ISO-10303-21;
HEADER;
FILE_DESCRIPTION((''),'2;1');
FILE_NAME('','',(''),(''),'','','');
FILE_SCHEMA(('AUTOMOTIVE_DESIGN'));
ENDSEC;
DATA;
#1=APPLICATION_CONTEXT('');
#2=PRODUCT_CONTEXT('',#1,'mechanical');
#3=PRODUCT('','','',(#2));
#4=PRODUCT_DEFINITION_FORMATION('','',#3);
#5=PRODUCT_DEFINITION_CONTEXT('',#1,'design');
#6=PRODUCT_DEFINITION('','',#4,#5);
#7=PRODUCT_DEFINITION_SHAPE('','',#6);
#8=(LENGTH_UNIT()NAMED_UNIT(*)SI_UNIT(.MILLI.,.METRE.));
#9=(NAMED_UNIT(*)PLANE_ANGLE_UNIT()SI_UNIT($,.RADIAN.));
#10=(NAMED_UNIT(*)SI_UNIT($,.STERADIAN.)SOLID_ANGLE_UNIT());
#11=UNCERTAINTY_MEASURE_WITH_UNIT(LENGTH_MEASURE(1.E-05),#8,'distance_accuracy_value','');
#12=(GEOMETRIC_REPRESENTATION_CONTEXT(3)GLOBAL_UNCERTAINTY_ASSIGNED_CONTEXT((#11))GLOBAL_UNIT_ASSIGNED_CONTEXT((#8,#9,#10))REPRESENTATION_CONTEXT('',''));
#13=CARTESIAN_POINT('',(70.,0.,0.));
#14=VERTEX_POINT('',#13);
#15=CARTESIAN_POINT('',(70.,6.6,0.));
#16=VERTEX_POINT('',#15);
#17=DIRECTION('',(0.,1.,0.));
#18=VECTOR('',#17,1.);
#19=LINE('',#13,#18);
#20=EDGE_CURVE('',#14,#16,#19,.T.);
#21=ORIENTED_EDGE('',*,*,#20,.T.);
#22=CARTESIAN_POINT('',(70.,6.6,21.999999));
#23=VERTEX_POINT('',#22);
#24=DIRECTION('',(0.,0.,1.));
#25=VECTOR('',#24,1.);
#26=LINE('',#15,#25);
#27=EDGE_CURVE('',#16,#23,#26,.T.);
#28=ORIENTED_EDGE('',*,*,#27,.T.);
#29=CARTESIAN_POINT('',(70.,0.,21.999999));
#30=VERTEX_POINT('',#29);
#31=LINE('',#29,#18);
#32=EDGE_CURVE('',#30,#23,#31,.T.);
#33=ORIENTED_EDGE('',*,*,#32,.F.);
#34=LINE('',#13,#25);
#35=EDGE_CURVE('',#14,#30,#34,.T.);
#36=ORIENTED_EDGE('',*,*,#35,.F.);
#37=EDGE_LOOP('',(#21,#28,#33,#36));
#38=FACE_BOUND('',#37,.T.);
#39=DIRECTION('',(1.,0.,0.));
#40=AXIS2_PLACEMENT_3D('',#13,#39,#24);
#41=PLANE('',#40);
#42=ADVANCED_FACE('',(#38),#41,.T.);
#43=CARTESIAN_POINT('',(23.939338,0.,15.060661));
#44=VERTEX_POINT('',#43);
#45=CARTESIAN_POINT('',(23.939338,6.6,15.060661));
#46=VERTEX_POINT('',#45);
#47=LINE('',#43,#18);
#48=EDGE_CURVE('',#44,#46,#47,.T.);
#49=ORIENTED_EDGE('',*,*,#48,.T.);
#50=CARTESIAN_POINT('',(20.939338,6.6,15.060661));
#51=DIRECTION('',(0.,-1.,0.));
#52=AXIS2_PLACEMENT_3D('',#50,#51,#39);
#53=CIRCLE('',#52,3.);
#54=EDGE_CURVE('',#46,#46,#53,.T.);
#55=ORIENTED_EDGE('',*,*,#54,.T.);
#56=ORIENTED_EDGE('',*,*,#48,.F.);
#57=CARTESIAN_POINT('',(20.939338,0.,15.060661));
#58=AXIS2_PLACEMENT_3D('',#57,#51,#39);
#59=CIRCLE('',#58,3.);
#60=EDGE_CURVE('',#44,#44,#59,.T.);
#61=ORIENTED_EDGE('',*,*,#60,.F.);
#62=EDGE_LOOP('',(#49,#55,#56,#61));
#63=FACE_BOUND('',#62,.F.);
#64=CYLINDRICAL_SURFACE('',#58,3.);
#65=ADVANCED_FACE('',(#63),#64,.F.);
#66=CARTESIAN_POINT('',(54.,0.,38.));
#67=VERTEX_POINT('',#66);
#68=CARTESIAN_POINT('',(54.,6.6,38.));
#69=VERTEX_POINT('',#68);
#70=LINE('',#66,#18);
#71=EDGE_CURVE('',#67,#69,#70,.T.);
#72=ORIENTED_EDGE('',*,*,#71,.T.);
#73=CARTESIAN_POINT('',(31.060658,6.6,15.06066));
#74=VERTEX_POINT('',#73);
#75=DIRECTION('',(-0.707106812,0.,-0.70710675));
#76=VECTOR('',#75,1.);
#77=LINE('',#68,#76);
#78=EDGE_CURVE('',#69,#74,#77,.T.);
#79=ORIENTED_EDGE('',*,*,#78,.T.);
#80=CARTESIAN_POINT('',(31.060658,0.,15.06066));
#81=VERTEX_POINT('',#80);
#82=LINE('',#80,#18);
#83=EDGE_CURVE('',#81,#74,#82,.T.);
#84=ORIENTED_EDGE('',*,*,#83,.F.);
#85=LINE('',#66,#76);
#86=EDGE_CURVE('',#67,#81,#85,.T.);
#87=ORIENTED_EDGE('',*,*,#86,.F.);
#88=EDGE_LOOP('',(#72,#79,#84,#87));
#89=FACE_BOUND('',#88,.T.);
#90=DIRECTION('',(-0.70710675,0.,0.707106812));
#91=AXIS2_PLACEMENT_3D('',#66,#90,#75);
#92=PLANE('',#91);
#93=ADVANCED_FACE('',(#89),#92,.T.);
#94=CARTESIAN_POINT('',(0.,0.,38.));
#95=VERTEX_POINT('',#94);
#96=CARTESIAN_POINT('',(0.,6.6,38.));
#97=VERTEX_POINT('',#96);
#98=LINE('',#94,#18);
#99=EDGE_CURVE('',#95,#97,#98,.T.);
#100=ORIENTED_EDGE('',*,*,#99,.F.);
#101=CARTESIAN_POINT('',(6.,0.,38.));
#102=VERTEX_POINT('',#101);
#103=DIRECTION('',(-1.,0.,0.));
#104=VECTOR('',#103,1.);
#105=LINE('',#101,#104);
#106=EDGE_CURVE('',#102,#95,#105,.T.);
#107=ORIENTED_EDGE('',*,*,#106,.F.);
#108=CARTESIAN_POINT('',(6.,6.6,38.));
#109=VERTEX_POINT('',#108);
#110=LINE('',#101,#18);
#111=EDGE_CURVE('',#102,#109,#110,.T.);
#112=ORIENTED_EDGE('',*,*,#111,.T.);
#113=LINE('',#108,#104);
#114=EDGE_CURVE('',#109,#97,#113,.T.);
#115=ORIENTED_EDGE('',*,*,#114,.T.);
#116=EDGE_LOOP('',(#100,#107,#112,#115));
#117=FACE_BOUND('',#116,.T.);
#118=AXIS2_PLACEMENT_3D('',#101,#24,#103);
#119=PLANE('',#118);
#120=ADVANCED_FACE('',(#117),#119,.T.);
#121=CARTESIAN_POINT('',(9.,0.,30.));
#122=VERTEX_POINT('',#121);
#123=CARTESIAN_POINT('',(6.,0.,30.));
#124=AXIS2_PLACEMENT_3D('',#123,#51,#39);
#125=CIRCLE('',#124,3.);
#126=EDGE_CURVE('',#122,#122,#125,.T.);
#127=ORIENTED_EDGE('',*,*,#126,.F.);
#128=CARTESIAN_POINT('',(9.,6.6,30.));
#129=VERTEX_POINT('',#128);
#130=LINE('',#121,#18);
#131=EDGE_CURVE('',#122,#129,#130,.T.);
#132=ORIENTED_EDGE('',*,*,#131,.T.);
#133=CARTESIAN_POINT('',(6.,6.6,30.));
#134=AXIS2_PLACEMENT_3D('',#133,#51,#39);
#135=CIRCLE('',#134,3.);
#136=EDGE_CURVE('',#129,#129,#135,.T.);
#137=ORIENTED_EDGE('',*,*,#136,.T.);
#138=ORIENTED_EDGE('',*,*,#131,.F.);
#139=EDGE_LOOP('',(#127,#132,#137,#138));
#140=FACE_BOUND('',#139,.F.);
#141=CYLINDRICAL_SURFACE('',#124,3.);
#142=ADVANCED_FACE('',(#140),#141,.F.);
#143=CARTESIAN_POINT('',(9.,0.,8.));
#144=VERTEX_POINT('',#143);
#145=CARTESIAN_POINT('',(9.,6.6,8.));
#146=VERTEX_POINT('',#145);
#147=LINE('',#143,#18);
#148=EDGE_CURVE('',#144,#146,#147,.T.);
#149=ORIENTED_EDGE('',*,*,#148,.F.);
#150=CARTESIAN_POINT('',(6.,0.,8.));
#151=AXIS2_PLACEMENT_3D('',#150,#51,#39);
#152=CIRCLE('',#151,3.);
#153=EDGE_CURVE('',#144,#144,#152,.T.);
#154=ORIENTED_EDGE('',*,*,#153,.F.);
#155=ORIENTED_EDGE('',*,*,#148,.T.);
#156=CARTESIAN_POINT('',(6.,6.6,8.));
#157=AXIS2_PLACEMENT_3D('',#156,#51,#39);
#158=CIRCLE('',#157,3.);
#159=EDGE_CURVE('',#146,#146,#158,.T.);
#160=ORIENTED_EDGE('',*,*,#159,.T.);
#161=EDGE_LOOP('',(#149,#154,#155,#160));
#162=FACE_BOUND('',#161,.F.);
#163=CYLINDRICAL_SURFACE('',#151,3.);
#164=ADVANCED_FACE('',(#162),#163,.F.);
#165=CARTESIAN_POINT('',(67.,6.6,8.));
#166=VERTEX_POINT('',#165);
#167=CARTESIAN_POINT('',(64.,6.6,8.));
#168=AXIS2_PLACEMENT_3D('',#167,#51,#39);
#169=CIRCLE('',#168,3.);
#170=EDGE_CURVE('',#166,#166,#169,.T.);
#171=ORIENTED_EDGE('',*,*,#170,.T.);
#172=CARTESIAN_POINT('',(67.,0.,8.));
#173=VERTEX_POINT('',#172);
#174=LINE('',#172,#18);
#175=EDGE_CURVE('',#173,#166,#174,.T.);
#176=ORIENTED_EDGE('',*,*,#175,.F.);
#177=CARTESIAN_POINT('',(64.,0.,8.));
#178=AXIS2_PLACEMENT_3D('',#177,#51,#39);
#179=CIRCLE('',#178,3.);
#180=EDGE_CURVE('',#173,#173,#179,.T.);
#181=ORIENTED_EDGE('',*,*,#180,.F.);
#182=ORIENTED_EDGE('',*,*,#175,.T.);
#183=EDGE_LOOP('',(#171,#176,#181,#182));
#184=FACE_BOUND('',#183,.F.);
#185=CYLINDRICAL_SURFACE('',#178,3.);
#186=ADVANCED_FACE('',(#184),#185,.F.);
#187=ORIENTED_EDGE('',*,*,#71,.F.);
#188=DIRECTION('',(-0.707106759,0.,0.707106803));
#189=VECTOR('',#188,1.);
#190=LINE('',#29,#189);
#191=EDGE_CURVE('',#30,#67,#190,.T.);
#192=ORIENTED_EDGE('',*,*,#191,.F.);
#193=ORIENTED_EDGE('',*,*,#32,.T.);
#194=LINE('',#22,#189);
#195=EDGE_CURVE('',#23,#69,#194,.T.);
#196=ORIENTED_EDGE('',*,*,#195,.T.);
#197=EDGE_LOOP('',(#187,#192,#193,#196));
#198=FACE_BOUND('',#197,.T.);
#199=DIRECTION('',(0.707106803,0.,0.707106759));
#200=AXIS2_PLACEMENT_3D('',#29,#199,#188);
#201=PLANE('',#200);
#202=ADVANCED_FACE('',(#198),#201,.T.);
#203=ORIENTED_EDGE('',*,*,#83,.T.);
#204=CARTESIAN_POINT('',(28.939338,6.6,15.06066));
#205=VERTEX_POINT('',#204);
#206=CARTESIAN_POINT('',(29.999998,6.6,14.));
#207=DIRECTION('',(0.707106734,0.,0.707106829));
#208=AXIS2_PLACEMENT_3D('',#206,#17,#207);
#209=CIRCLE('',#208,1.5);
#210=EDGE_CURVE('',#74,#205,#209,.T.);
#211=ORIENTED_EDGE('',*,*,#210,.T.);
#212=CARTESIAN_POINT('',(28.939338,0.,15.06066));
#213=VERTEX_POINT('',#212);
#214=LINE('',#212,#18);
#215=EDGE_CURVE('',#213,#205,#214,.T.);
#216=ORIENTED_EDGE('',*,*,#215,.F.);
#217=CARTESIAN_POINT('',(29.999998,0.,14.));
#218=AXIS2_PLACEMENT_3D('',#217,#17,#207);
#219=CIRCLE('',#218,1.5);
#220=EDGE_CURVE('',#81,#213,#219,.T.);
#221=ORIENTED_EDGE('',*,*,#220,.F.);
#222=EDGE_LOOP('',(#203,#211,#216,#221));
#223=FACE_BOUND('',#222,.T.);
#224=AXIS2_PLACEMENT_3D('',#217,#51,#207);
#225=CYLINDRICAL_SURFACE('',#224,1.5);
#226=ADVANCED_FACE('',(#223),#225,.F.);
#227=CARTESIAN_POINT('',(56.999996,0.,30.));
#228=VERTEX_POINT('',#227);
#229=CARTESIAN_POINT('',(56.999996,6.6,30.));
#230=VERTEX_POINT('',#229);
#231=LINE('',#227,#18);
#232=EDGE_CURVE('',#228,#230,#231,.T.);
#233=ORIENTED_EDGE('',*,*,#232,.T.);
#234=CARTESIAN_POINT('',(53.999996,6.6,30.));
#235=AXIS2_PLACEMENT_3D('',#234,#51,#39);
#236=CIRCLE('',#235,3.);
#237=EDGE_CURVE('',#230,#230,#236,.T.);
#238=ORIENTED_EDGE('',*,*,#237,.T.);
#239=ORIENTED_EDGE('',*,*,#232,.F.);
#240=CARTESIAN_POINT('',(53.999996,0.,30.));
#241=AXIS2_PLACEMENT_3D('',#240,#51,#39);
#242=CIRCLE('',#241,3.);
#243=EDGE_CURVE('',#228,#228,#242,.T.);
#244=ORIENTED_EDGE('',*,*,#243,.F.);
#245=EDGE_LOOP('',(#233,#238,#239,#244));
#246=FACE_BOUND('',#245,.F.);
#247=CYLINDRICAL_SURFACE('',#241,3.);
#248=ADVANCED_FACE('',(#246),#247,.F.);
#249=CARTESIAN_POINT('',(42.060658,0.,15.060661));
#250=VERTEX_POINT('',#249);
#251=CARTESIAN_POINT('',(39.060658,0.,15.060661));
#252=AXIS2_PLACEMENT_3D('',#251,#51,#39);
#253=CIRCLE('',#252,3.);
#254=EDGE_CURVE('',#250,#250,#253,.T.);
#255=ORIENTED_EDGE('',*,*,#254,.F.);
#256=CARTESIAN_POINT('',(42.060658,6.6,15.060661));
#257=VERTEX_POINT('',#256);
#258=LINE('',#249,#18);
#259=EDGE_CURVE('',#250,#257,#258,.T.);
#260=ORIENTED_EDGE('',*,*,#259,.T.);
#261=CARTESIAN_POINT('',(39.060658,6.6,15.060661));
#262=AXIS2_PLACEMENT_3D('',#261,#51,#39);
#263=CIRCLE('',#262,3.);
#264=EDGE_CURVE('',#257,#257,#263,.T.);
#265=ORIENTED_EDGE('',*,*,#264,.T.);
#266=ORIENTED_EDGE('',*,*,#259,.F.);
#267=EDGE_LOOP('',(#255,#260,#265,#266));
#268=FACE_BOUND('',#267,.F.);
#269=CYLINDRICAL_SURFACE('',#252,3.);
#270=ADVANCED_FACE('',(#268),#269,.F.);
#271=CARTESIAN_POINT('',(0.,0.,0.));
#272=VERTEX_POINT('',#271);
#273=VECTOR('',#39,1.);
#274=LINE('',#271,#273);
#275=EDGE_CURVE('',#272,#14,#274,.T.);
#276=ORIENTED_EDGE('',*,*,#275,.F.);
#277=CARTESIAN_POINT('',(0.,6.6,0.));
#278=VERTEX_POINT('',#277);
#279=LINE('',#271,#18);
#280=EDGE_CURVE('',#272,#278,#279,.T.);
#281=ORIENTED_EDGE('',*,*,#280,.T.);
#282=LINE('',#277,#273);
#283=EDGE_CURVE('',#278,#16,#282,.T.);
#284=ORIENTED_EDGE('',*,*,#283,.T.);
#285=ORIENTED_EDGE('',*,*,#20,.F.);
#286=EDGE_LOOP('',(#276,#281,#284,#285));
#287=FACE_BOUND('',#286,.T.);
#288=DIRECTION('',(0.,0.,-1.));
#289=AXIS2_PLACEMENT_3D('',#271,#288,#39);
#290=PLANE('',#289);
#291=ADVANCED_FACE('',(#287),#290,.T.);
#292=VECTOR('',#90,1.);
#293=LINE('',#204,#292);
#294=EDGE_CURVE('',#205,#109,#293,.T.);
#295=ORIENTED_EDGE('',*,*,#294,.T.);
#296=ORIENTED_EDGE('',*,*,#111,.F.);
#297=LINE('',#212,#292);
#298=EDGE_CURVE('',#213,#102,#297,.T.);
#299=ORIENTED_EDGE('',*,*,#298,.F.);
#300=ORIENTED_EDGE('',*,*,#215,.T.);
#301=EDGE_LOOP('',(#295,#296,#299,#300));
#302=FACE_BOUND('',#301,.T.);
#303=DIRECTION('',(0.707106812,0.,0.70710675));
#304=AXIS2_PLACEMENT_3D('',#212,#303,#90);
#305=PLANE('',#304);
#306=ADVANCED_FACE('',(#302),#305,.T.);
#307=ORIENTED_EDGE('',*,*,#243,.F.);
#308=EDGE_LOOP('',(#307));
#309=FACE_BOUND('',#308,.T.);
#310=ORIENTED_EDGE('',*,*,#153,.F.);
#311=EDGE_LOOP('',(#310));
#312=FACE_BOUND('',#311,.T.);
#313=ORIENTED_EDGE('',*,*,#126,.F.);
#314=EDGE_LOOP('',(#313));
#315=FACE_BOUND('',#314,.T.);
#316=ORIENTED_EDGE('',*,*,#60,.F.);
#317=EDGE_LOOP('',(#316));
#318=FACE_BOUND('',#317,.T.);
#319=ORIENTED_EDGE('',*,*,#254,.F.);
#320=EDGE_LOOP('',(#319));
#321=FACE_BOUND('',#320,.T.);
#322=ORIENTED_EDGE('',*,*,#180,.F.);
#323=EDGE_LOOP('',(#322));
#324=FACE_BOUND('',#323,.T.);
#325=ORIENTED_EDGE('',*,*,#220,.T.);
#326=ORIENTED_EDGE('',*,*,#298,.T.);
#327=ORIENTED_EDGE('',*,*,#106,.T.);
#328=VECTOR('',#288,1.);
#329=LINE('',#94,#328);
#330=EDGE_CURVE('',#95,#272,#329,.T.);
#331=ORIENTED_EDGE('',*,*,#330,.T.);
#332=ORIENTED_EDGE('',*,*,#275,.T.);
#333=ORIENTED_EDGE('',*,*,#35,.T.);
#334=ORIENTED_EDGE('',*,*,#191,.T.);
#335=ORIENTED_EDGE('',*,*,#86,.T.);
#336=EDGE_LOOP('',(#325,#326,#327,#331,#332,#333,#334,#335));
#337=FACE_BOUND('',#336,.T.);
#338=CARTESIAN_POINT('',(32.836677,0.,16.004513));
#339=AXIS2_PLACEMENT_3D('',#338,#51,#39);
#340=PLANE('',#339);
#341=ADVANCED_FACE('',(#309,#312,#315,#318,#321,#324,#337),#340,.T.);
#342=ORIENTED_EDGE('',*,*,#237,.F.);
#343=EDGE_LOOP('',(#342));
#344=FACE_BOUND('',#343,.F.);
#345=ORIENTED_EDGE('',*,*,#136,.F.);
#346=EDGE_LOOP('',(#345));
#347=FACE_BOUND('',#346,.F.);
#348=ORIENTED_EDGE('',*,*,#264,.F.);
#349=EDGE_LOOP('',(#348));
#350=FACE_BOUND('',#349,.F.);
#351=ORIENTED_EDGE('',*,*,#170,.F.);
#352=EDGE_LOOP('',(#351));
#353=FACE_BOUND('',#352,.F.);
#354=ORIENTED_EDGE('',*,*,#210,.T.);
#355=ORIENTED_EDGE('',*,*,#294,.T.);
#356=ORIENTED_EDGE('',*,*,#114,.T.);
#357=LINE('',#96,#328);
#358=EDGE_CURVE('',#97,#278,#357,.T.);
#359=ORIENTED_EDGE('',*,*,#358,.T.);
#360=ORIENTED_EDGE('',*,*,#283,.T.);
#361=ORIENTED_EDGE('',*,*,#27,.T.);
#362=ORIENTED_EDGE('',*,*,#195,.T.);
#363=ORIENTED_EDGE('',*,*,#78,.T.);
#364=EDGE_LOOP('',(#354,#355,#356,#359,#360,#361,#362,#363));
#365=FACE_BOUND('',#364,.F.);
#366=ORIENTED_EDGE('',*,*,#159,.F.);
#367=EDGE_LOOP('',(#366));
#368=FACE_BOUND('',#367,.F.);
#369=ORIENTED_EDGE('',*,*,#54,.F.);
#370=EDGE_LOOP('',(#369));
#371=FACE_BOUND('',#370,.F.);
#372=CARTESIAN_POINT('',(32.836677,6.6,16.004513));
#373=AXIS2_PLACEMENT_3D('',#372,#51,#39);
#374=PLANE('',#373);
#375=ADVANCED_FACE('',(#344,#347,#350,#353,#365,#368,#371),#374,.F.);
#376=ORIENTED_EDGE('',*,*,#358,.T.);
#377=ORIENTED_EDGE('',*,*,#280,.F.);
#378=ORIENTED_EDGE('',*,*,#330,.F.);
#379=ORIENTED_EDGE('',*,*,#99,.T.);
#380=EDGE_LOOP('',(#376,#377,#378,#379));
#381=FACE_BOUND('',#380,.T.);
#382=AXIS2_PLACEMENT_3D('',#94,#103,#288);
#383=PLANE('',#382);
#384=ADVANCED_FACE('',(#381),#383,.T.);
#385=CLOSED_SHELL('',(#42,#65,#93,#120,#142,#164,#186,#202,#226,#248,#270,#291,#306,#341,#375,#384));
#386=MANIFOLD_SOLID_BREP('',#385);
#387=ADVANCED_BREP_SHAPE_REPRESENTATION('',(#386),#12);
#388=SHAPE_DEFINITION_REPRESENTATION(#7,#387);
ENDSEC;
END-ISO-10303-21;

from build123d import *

# Parameters (mm, degrees)
F0_R     = 3
F1_DEPTH = 6.6


with BuildPart() as f1:
    # F0 (on Front) → F1 (new body)
    with BuildSketch(Plane.XZ):
        with BuildLine():
            Line((0, 38), (0, 0))
            Line((0, 0), (70, 0))
            Line((70, 0), (70, 21.999999))
            Line((70, 21.999999), (54, 38))
            Line((54, 38), (31.060658, 15.06066))
            ThreePointArc((31.060658, 15.06066), (29.999998, 12.5), (28.939338, 15.06066))
            Line((28.939338, 15.06066), (6, 38))
            Line((6, 38), (0, 38))
        make_face()
        with Locations((6, 8)):
            Circle(F0_R, mode=Mode.SUBTRACT)
        with Locations((20.939338, 15.060661)):
            Circle(F0_R, mode=Mode.SUBTRACT)
        with Locations((64, 8)):
            Circle(F0_R, mode=Mode.SUBTRACT)
        with Locations((39.060658, 15.060661)):
            Circle(F0_R, mode=Mode.SUBTRACT)
        with Locations((6, 30)):
            Circle(F0_R, mode=Mode.SUBTRACT)
        with Locations((53.999996, 30)):
            Circle(F0_R, mode=Mode.SUBTRACT)
    extrude(amount=-F1_DEPTH)


solid = f1.part
